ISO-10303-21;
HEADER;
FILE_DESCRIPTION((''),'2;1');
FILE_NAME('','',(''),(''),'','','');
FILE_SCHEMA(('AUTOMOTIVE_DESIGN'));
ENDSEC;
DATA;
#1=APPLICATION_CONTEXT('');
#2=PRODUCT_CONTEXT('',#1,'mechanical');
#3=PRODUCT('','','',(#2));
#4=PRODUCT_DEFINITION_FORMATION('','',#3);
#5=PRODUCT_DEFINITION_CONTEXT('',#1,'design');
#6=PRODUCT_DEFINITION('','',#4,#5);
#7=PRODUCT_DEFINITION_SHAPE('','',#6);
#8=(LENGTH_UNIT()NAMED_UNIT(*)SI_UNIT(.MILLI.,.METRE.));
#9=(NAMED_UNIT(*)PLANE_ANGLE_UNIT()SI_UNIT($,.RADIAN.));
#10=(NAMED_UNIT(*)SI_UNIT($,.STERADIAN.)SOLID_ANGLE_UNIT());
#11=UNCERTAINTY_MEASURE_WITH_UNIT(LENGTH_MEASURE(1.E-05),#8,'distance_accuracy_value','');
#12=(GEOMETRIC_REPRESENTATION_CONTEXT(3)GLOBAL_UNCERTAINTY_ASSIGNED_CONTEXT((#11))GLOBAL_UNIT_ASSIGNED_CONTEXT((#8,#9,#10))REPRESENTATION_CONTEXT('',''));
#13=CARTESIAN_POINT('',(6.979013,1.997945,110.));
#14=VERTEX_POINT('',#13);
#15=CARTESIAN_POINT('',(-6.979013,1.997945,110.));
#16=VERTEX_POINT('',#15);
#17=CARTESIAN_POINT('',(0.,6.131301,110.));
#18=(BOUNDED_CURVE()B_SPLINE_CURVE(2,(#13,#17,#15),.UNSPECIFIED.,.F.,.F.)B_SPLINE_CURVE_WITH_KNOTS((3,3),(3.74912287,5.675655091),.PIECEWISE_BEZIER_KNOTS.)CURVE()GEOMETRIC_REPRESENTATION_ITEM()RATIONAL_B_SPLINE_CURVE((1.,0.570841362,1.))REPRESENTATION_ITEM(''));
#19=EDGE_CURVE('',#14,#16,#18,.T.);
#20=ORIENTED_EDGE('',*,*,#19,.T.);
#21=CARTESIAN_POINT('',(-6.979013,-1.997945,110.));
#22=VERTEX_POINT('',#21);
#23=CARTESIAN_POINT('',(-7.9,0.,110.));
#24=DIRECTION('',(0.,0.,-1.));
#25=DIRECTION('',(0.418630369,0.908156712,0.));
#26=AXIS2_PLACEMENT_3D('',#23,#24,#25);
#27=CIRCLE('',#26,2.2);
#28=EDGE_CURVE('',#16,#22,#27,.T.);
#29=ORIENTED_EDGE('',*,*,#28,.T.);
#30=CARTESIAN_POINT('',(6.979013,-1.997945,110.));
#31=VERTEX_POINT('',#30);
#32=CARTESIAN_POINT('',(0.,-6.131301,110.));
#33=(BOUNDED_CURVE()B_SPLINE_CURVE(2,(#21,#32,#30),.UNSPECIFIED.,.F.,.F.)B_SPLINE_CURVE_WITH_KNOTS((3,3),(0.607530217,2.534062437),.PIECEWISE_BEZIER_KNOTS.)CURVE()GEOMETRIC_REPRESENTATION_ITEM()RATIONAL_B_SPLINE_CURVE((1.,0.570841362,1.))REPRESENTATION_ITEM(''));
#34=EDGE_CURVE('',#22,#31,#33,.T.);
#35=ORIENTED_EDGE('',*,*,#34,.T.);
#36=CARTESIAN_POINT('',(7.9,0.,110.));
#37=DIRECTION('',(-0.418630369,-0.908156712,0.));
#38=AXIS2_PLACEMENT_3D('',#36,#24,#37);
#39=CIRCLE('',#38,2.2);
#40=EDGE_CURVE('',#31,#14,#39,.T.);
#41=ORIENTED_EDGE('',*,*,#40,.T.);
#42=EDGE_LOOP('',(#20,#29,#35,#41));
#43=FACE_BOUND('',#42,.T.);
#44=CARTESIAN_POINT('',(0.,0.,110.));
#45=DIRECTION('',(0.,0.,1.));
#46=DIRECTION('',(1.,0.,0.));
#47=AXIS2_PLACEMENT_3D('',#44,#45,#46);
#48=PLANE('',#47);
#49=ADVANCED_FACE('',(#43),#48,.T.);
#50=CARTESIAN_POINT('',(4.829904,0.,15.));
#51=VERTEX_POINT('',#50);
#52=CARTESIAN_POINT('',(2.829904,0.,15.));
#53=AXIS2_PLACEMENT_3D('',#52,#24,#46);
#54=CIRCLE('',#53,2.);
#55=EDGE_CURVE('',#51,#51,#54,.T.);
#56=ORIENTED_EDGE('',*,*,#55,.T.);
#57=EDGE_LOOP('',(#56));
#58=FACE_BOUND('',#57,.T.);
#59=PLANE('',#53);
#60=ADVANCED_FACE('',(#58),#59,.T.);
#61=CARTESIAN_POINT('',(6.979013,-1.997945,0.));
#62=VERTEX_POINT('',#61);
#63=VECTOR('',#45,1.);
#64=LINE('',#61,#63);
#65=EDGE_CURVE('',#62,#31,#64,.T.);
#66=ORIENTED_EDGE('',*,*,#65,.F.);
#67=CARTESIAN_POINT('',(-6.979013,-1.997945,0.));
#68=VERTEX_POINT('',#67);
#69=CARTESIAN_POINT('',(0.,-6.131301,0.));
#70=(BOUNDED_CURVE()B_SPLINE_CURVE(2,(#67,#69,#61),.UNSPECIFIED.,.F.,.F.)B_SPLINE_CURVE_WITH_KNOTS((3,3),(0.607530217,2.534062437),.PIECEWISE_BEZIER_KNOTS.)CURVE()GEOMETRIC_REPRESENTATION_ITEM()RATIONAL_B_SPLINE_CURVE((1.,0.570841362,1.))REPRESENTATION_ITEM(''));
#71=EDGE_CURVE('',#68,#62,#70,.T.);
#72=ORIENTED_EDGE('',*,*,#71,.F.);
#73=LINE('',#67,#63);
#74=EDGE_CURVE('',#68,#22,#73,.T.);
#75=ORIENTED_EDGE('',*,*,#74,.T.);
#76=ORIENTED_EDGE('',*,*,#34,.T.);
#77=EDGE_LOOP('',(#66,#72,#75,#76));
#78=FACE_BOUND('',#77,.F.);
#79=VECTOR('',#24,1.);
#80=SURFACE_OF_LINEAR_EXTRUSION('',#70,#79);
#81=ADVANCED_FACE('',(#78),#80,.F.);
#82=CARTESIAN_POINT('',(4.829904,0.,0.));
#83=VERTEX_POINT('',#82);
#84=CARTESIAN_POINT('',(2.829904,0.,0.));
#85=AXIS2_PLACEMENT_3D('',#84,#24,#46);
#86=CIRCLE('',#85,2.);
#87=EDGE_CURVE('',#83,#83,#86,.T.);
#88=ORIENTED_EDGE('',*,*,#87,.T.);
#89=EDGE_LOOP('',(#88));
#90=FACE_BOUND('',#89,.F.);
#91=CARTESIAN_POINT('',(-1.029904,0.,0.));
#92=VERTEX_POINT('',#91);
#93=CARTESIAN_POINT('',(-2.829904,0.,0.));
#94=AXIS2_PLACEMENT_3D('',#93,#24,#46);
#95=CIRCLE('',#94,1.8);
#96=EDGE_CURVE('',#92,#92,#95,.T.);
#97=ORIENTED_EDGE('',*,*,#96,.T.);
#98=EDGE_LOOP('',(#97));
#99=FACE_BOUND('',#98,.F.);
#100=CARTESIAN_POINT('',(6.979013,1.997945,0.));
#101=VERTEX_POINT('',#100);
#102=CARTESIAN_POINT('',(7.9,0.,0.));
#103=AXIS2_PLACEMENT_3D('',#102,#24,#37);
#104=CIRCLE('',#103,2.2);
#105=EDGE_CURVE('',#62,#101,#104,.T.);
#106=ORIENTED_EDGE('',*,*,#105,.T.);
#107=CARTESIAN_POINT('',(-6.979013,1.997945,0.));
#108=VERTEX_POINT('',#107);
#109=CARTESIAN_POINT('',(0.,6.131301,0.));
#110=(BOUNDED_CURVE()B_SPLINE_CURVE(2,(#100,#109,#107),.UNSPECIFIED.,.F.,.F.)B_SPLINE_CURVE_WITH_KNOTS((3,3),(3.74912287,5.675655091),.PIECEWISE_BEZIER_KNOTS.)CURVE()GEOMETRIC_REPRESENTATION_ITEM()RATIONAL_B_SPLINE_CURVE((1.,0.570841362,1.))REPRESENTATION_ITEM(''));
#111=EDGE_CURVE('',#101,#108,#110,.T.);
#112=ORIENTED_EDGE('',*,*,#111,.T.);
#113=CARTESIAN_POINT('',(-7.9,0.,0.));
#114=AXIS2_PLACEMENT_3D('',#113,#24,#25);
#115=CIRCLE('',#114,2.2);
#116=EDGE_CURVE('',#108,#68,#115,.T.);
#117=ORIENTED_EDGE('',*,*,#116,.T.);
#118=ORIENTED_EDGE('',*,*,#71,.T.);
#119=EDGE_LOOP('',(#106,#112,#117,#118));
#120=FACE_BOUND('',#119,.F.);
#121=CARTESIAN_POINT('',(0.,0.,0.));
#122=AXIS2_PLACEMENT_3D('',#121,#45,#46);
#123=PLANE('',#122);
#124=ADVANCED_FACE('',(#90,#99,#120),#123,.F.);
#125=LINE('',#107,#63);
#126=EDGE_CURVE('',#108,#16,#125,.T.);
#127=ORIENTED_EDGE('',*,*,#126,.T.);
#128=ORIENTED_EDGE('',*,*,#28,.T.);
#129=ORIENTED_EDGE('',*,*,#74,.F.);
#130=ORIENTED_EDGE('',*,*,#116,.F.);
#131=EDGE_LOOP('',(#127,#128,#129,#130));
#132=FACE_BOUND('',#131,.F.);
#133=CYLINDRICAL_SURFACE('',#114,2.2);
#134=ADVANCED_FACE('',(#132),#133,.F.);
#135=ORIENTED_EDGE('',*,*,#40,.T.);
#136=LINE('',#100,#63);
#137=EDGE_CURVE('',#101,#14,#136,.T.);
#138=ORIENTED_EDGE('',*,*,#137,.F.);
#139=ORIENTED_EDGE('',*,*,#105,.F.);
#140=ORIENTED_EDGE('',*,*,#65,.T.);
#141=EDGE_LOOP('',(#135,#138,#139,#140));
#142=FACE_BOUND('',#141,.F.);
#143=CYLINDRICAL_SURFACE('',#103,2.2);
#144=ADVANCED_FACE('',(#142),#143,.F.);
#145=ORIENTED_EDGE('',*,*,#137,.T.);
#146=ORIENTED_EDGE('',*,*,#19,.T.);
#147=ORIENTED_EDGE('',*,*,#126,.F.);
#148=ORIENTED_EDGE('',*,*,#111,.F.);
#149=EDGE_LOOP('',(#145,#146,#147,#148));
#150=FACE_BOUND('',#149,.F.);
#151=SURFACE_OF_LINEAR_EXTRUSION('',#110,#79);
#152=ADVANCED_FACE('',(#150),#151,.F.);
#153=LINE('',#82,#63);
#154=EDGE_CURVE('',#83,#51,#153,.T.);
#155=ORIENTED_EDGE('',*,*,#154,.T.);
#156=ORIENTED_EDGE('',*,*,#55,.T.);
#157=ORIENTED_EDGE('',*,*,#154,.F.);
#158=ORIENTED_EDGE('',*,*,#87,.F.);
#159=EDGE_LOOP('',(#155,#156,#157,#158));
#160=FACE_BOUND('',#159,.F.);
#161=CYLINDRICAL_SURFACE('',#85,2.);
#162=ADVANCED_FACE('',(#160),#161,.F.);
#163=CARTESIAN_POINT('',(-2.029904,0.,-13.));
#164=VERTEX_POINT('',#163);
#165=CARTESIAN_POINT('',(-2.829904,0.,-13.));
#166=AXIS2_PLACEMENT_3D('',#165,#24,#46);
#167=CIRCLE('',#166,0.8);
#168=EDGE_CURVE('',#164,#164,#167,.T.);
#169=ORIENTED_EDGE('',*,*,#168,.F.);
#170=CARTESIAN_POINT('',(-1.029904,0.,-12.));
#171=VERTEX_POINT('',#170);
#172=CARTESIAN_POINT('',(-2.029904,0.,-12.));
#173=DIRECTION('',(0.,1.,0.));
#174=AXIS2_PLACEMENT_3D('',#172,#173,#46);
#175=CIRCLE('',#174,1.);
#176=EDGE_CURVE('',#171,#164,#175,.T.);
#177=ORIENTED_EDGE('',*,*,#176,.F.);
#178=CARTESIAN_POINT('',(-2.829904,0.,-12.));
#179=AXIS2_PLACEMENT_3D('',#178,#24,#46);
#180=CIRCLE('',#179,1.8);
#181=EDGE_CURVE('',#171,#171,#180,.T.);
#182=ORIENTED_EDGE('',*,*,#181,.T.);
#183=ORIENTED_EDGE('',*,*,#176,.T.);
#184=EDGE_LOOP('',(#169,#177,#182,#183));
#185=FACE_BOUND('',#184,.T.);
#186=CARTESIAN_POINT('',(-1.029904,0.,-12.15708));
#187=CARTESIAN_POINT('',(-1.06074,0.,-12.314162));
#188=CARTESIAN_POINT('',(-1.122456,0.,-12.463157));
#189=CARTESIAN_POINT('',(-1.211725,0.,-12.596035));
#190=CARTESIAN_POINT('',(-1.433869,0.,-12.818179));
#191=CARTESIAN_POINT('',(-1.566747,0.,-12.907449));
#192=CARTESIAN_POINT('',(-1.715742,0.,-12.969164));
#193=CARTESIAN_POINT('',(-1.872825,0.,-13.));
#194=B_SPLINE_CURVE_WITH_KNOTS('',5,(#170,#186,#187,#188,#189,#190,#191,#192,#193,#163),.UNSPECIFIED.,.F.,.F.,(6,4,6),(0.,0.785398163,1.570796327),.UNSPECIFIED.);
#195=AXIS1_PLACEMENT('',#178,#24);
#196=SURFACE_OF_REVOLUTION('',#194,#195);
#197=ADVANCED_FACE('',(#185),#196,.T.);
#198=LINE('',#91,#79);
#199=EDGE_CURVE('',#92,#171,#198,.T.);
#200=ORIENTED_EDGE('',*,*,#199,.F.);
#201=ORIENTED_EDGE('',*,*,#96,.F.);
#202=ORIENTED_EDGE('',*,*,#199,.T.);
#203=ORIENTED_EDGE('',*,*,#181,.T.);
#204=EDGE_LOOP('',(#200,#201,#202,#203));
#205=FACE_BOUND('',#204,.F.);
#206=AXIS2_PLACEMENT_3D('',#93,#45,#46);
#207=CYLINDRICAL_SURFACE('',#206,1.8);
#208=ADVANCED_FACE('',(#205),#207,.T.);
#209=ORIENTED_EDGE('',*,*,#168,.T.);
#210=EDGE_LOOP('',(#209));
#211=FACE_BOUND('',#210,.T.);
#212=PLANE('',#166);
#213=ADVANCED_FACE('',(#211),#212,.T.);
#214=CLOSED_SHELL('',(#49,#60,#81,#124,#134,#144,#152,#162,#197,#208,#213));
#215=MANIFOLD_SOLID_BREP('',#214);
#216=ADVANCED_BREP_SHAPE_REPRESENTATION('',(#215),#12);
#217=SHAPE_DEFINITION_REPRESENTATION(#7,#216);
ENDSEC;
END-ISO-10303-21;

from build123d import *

# Parameters (mm, degrees)
F1_DEPTH = 110
F2_R     = 2
F3_DEPTH = 15
F4_R     = 1.8
F5_DEPTH = 13
F6_R     = 1


with BuildPart() as f1:
    # F0 (on Top) → F1 (new body)
    with BuildSketch(Plane.XY):
        with BuildLine():
            ThreePointArc((-6.9790131878, 1.9979447669), (-5.7, 0), (-6.9790131878, -1.9979447669))
            add(Edge.make_bspline(
                [(-6.9790131878, -1.9979447669), (0, -6.1313006259), (6.9790131878, -1.9979447669)],
                knots=[0.6075302167, 0.6075302167, 0.6075302167, 2.5340624369, 2.5340624369, 2.5340624369], degree=2, weights=[1, 0.570841362, 1]))
            ThreePointArc((6.9790131878, -1.9979447669), (5.7, 0), (6.9790131878, 1.9979447669))
            add(Edge.make_bspline(
                [(6.9790131878, 1.9979447669), (0, 6.1313006259), (-6.9790131878, 1.9979447669)],
                knots=[3.7491228703, 3.7491228703, 3.7491228703, 5.6756550905, 5.6756550905, 5.6756550905], degree=2, weights=[1, 0.570841362, 1]))
        make_face()
    extrude(amount=F1_DEPTH)

    # F2 (on face) → F3 (cut)
    with BuildSketch(Plane(origin=(0, 0, 0), x_dir=(1, 0, 0), z_dir=(0, 0, -1))):
        with Locations((2.8299042024, 0)):
            Circle(F2_R)
    extrude(amount=-F3_DEPTH, mode=Mode.SUBTRACT)

    # F4 (on face) → F5 (join)
    with BuildSketch(Plane(origin=(0, 0, 0), x_dir=(1, 0, 0), z_dir=(0, 0, -1))):
        with Locations((-2.8299042024, 0)):
            Circle(F4_R)
    extrude(amount=F5_DEPTH)

    # F6
    f6_edges = [f1.edges().sort_by_distance(p)[0] for p in [
        (-4.629904, 0, -13),
    ]]
    fillet(f6_edges, radius=F6_R)


solid = f1.part
